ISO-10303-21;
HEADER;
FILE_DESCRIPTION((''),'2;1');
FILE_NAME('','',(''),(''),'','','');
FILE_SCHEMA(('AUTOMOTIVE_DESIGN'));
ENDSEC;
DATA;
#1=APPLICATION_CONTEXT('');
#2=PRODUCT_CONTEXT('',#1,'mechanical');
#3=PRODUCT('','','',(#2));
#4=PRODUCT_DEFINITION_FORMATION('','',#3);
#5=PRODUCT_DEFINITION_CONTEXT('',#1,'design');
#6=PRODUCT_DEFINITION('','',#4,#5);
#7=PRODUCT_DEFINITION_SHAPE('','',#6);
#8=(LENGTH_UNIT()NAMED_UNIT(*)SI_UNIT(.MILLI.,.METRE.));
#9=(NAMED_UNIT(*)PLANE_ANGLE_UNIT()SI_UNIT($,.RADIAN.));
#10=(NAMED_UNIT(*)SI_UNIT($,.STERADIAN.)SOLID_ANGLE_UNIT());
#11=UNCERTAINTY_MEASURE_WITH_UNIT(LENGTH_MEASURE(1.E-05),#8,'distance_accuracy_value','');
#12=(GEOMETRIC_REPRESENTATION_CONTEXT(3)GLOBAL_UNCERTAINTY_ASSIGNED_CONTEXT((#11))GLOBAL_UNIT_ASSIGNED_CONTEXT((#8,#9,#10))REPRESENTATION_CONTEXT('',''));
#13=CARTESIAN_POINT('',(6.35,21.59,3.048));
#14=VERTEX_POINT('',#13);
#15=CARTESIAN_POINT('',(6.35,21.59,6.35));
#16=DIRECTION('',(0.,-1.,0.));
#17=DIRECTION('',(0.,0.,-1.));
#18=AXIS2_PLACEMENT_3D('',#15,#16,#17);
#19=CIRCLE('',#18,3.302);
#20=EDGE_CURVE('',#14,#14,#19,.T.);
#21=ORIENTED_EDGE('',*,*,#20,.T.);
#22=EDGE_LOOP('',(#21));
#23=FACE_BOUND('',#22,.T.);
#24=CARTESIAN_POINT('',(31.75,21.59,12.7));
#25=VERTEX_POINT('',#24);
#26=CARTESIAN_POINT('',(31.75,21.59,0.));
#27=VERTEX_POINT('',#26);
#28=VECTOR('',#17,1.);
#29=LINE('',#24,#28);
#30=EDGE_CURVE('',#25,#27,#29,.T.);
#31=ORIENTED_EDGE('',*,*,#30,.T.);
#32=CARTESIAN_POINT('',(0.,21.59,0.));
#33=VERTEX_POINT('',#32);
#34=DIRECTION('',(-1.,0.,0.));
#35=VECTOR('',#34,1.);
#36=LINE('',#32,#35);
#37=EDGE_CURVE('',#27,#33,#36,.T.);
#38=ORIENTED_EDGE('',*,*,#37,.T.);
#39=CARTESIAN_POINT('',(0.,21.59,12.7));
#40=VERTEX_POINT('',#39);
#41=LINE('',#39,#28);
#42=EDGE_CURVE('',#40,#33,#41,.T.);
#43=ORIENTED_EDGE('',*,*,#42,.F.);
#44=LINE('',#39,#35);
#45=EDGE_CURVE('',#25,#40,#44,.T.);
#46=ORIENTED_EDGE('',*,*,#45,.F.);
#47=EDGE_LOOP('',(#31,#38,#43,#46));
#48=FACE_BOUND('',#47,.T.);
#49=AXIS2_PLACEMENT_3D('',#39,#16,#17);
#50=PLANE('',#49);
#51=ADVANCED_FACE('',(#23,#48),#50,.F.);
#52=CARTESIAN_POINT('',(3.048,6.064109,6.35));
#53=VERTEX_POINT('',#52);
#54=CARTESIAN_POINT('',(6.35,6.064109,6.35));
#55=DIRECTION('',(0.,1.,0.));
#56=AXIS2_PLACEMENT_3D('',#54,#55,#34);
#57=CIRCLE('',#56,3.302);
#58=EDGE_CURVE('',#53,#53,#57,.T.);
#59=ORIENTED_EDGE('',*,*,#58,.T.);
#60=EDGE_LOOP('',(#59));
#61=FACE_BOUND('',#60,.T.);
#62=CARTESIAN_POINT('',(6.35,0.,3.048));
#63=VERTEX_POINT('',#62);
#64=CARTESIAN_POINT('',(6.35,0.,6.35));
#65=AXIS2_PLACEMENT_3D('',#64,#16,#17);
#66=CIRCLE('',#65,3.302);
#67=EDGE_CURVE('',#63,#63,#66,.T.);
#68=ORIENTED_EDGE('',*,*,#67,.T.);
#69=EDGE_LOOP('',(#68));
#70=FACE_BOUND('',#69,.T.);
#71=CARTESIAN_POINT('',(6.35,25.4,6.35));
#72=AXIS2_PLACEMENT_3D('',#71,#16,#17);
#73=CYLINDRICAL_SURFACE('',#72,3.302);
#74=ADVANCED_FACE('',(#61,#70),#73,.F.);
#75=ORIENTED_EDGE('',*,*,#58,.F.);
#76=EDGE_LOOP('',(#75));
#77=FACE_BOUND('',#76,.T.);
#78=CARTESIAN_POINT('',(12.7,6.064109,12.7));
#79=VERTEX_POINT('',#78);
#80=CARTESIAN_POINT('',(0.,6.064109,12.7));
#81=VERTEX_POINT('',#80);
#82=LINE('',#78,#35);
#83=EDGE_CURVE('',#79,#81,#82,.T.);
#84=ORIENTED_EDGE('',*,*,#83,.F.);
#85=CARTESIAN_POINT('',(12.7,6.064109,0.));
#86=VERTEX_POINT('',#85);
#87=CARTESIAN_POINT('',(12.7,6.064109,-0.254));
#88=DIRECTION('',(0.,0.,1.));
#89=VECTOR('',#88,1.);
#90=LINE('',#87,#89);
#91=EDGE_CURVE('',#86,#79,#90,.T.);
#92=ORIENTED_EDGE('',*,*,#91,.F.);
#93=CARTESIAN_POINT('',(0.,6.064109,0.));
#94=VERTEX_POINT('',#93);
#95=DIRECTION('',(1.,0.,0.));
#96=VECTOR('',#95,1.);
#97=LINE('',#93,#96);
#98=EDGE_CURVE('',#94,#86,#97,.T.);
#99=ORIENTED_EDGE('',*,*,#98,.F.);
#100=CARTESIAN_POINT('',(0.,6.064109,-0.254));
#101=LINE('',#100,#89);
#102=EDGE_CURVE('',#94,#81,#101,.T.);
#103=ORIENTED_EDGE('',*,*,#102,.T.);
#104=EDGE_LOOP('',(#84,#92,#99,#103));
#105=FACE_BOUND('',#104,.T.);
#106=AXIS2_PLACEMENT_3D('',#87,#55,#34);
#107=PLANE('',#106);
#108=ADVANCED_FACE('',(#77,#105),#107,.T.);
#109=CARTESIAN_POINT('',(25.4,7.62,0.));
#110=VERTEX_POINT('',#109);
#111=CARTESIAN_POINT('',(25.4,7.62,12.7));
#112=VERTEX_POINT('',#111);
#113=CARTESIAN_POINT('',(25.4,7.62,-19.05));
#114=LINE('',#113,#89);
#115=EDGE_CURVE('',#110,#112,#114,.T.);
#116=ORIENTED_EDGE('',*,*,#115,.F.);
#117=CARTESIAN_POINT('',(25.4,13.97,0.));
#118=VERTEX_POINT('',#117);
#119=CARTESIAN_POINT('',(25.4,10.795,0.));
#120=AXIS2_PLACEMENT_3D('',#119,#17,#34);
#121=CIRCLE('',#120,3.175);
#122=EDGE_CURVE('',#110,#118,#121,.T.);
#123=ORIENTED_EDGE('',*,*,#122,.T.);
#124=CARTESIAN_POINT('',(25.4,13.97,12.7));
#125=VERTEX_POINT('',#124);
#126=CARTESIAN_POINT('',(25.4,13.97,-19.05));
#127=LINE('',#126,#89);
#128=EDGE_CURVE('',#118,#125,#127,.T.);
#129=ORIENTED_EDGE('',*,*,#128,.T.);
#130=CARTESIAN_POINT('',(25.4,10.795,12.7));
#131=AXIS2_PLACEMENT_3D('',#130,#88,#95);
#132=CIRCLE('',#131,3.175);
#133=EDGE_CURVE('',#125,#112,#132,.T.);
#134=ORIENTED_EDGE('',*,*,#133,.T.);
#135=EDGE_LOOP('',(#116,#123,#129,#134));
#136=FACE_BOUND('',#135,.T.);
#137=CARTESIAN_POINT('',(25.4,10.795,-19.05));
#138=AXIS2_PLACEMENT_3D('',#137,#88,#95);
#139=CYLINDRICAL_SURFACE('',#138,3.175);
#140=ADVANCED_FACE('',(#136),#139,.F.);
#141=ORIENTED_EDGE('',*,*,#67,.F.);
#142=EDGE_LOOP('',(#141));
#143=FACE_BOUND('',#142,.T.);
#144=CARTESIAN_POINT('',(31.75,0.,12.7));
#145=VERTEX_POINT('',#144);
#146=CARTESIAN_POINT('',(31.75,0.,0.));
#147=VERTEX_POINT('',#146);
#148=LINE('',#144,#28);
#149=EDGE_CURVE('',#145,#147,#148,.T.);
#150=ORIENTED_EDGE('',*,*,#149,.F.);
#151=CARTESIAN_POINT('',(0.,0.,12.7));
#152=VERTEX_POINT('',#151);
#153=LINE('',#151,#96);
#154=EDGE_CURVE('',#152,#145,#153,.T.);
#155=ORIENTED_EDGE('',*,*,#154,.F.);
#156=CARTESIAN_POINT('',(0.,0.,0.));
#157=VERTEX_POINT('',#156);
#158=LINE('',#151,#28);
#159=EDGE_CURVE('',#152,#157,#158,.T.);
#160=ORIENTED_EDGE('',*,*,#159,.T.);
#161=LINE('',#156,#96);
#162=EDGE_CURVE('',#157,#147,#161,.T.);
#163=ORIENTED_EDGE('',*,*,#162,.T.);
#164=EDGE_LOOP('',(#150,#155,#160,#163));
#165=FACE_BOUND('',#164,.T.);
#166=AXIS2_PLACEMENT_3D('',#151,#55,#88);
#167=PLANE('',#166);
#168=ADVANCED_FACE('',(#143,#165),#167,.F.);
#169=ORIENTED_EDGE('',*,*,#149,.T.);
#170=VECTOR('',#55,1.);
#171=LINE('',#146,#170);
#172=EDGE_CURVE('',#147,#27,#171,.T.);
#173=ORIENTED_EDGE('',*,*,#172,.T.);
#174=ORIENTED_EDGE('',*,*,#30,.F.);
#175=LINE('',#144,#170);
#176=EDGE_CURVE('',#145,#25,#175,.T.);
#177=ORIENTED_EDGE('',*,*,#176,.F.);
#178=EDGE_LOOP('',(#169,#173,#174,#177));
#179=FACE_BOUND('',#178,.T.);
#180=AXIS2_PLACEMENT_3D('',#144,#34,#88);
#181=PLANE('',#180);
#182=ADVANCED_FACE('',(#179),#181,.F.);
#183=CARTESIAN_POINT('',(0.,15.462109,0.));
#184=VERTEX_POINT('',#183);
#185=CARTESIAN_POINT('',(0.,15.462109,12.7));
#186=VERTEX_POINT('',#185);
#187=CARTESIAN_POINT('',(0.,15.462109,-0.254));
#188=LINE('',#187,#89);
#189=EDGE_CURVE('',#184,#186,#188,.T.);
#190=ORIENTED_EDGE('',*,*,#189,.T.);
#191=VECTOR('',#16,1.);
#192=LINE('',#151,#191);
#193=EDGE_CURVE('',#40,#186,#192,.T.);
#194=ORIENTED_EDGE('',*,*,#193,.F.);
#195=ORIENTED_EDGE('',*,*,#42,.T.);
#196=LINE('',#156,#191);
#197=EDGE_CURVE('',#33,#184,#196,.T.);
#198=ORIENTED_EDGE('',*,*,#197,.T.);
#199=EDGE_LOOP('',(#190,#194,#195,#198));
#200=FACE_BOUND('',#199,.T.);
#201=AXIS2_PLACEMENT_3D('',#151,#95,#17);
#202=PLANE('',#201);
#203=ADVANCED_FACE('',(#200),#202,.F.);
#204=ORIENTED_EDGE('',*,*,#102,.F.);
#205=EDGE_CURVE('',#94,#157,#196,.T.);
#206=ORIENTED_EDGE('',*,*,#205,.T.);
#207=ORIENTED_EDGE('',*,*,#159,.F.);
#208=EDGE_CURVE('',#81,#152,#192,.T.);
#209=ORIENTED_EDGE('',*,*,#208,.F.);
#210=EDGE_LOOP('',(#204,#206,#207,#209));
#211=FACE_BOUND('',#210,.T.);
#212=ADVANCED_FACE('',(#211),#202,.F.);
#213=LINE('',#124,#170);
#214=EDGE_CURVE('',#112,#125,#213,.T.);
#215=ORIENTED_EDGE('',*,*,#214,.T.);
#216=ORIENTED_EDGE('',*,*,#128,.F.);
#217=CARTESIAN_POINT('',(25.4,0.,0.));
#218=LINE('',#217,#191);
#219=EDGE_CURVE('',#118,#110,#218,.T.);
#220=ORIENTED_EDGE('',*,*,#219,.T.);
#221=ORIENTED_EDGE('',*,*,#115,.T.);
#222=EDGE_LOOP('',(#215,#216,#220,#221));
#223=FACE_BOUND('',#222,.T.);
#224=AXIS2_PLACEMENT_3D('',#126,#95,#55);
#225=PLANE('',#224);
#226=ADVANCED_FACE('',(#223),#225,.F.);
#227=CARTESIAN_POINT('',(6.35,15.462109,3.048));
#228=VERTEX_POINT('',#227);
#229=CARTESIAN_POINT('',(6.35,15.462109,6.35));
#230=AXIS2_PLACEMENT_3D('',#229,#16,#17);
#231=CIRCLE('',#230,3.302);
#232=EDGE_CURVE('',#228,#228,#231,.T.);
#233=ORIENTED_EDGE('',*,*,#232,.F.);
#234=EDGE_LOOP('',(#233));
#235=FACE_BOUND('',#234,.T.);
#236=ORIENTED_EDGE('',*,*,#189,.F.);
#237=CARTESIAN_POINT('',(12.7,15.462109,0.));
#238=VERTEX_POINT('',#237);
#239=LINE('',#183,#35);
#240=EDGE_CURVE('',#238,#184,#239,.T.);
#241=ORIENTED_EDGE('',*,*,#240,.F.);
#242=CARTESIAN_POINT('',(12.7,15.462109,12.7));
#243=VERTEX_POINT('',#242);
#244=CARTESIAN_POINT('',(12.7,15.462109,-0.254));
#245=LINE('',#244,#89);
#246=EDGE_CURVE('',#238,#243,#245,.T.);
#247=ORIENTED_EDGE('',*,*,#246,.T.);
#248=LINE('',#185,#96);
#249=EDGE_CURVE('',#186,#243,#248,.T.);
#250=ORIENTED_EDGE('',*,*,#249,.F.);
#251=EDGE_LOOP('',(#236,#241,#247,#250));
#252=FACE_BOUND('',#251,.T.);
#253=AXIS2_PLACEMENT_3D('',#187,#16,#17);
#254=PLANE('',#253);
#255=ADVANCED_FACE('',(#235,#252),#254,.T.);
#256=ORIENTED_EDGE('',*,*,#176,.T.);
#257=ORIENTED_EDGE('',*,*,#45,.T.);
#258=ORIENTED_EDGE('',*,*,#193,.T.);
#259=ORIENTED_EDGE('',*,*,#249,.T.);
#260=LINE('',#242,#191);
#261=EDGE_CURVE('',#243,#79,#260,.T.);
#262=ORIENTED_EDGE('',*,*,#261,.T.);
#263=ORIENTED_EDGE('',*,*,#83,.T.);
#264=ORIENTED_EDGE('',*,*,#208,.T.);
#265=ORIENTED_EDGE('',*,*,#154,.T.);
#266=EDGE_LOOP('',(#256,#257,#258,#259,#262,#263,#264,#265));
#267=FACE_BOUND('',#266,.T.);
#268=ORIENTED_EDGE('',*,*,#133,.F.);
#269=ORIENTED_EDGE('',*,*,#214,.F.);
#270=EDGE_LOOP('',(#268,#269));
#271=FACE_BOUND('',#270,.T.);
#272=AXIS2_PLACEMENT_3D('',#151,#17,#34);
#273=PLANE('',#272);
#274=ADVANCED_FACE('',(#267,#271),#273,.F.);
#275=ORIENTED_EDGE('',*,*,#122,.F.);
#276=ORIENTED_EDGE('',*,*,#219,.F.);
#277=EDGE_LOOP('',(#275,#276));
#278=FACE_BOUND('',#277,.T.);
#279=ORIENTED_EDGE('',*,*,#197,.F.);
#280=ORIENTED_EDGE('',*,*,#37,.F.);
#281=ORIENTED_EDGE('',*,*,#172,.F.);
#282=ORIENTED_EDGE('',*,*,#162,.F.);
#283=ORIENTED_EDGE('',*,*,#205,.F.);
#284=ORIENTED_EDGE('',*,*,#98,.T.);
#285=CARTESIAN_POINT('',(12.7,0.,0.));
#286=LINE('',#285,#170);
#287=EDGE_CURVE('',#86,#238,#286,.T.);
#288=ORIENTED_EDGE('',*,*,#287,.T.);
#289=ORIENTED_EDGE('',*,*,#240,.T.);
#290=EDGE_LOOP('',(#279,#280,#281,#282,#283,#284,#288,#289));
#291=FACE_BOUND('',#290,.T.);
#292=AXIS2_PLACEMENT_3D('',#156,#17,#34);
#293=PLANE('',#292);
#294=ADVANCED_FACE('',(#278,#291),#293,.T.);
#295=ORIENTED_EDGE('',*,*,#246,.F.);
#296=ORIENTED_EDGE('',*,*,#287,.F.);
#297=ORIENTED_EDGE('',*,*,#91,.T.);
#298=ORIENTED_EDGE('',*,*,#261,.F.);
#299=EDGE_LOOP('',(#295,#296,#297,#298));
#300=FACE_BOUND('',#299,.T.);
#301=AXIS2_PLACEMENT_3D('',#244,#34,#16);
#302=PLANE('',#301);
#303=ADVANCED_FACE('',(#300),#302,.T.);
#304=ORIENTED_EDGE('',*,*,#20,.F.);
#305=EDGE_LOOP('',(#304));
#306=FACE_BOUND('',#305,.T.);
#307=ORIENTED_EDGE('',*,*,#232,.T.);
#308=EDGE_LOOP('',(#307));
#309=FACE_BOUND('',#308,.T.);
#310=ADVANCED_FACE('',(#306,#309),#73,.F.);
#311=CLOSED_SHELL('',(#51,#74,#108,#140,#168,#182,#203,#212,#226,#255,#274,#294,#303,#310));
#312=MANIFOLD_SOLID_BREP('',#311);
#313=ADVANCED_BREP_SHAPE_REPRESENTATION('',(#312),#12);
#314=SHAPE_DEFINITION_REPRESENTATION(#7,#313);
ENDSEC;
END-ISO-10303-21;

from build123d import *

# Parameters (mm, degrees)
SKETCH1_W           = 31.75
SKETCH1_H           = 21.59
BOSS_EXTRUDE1_DEPTH = 12.7
SKETCH2_W           = 12.7
SKETCH2_H           = 9.398
CUT_EXTRUDE1_DEPTH  = 12.954
SKETCH3_R           = 3.302
CUT_EXTRUDE2_DEPTH  = 25.4
CUT_EXTRUDE3_DEPTH  = 31.75


with BuildPart() as part:
    # Sketch1 → Boss-Extrude1 (new body)
    with BuildSketch(Plane.XY):
        with Locations((15.875, 10.795)):
            Rectangle(SKETCH1_W, SKETCH1_H)
    extrude(amount=BOSS_EXTRUDE1_DEPTH)

    # Sketch2 → Cut-Extrude1 (cut)
    with BuildSketch(Plane.XY.offset(12.7)):
        with Locations((6.35, 10.763108956)):
            Rectangle(SKETCH2_W, SKETCH2_H)
    extrude(amount=-CUT_EXTRUDE1_DEPTH, mode=Mode.SUBTRACT)

    # Sketch3 → Cut-Extrude2 (cut)
    with BuildSketch(Plane.XZ):
        with Locations(Location((6.35, 6.35, 0), (0, 0, 270))):
            Circle(SKETCH3_R)
    extrude(amount=-CUT_EXTRUDE2_DEPTH, mode=Mode.SUBTRACT)

    # Sketch5 → Cut-Extrude3 (cut)
    with BuildSketch(Plane.XY.offset(12.7)):
        with BuildLine():
            Line((25.4, 13.97), (25.4, 7.62))
            ThreePointArc((25.4, 7.62), (22.225, 10.795), (25.4, 13.97))
        make_face()
    extrude(amount=-CUT_EXTRUDE3_DEPTH, mode=Mode.SUBTRACT)


solid = part.part
